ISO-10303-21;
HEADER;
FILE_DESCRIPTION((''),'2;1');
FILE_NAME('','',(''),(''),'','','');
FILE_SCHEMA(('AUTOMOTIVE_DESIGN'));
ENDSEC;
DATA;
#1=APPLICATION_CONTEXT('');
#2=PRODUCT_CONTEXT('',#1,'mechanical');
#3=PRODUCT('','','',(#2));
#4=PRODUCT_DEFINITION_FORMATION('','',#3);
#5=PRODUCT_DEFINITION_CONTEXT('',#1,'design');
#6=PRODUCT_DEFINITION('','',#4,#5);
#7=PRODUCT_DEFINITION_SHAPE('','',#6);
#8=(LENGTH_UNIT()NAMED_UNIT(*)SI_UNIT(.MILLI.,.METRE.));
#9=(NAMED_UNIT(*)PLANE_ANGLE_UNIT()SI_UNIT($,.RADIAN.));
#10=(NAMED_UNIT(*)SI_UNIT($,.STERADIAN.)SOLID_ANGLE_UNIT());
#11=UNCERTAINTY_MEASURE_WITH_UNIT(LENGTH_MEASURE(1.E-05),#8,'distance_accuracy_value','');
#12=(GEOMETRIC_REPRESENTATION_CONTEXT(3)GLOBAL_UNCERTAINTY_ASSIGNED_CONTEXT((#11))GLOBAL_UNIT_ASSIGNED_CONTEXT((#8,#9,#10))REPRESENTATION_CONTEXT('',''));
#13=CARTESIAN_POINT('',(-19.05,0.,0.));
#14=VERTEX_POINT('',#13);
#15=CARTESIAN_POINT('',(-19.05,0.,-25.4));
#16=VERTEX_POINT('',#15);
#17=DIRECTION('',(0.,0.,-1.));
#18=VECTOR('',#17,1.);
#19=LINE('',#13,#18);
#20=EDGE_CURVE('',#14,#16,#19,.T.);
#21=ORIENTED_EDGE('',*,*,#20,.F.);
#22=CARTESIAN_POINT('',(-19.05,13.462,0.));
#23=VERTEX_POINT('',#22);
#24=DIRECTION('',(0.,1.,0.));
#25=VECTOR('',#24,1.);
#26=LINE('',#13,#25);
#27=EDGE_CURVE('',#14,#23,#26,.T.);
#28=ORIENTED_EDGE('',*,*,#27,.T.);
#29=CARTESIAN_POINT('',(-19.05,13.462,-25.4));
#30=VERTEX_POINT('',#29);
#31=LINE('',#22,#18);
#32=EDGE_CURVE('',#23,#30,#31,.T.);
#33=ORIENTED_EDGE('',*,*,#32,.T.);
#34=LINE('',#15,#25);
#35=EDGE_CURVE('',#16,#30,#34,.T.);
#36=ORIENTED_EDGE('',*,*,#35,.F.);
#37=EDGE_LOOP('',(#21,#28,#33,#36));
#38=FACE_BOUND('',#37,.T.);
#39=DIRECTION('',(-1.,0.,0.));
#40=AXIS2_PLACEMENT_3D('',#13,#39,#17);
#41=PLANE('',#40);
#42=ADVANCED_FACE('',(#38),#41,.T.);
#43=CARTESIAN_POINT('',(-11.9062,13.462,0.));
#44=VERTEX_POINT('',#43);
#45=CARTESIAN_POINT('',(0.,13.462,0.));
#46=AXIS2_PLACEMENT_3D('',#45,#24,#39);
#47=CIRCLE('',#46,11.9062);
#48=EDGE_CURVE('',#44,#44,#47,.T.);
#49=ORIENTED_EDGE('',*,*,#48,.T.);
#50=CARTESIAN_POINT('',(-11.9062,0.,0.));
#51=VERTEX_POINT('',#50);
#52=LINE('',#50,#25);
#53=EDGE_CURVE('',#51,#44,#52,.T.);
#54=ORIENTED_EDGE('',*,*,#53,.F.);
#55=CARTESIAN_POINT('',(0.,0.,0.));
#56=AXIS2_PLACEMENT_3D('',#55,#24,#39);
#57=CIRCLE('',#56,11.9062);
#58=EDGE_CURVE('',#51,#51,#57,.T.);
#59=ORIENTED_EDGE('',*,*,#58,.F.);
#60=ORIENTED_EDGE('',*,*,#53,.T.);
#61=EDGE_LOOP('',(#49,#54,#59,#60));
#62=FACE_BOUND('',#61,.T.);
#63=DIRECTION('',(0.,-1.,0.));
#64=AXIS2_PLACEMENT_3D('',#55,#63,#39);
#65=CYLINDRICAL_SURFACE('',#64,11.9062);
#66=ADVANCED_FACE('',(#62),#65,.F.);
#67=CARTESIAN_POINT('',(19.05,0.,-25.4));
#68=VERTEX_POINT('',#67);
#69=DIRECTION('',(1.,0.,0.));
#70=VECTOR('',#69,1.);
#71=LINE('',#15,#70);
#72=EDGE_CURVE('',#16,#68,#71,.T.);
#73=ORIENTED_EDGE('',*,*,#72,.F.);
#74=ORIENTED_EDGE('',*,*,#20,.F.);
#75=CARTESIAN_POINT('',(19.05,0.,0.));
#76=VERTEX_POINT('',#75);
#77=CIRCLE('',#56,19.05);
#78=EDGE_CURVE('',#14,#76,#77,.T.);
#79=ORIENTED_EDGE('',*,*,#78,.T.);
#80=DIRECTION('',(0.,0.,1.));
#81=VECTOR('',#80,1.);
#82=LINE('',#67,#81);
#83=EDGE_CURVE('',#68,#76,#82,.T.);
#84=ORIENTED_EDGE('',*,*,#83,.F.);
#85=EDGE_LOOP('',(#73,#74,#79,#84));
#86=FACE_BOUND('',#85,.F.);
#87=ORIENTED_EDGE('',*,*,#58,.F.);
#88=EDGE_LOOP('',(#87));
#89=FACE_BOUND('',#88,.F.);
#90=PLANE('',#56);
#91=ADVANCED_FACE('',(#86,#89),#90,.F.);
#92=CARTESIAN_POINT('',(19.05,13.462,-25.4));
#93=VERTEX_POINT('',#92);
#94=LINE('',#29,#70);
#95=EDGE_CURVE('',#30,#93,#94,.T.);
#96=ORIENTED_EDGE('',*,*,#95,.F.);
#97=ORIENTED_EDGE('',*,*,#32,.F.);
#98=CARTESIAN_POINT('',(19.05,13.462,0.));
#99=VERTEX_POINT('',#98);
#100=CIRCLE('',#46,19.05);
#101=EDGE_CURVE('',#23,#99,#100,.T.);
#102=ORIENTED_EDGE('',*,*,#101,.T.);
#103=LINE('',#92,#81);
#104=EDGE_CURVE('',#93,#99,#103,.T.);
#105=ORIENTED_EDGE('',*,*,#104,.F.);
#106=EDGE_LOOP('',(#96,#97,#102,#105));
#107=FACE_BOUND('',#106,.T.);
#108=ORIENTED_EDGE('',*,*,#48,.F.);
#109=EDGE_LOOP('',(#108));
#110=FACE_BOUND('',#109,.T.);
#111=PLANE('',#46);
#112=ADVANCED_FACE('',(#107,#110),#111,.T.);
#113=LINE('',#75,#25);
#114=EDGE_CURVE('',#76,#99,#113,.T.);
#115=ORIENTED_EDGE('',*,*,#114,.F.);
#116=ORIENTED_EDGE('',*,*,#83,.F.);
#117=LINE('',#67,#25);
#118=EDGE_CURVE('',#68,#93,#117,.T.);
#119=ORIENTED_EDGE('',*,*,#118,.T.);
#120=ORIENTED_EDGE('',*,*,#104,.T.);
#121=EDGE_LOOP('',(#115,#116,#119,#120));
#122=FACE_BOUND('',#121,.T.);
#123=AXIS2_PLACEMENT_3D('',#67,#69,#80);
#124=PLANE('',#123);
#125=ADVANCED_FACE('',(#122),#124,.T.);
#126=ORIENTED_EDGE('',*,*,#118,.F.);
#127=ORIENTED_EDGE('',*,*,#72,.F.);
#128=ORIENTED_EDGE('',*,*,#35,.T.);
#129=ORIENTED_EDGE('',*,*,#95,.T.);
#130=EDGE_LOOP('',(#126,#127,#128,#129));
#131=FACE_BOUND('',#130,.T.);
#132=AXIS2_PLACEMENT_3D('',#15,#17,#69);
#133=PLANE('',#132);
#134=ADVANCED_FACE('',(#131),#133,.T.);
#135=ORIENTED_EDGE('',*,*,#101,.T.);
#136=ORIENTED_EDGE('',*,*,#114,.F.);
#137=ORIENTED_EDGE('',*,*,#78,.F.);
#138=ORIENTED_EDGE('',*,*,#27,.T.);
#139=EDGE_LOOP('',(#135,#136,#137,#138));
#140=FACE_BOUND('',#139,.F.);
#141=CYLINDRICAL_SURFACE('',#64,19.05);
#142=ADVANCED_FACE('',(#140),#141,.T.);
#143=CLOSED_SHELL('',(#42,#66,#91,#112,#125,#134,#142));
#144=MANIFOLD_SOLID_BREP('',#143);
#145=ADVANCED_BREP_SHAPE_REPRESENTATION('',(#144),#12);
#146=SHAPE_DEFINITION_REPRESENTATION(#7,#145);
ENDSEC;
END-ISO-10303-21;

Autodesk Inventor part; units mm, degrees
ref_plane "YZ Plane" through (0, 0, 0) normal (1, 0, 0) x (0, 1, 0)
ref_plane "XZ Plane" through (0, 0, 0) normal (0, 1, 0) x (-1, 0, 0)
ref_plane "XY Plane" through (0, 0, 0) normal (0, 0, 1) x (1, 0, 0)
sketch "Sketch1" plane through (0, 0, 0) normal (0, 1, 0) x (-1, 0, 0)
  circle A0 centre (0, 0) radius 11.9062
  arc A1 (19.05, 0) -> (-19.05, 0) centre (0, 0) ccw
  line L0 (19.05, 0) -> (19.05, -25.4)
  line L1 (19.05, -25.4) -> (-19.05, -25.4)
  line L2 (-19.05, -25.4) -> (-19.05, 0)
  dimension "d0" = 23.8125
  dimension "d2" = 38.1
  dimension "d16" = 25.4
extrude "Extrusion1" add sketch "Sketch1" along normal blind 13.462
thread "Thread1" size "15/16-16 UN" class "2B" standard "ANSI Unified Screw Threads" full length
properties part number "AcmeMountingFlange"
